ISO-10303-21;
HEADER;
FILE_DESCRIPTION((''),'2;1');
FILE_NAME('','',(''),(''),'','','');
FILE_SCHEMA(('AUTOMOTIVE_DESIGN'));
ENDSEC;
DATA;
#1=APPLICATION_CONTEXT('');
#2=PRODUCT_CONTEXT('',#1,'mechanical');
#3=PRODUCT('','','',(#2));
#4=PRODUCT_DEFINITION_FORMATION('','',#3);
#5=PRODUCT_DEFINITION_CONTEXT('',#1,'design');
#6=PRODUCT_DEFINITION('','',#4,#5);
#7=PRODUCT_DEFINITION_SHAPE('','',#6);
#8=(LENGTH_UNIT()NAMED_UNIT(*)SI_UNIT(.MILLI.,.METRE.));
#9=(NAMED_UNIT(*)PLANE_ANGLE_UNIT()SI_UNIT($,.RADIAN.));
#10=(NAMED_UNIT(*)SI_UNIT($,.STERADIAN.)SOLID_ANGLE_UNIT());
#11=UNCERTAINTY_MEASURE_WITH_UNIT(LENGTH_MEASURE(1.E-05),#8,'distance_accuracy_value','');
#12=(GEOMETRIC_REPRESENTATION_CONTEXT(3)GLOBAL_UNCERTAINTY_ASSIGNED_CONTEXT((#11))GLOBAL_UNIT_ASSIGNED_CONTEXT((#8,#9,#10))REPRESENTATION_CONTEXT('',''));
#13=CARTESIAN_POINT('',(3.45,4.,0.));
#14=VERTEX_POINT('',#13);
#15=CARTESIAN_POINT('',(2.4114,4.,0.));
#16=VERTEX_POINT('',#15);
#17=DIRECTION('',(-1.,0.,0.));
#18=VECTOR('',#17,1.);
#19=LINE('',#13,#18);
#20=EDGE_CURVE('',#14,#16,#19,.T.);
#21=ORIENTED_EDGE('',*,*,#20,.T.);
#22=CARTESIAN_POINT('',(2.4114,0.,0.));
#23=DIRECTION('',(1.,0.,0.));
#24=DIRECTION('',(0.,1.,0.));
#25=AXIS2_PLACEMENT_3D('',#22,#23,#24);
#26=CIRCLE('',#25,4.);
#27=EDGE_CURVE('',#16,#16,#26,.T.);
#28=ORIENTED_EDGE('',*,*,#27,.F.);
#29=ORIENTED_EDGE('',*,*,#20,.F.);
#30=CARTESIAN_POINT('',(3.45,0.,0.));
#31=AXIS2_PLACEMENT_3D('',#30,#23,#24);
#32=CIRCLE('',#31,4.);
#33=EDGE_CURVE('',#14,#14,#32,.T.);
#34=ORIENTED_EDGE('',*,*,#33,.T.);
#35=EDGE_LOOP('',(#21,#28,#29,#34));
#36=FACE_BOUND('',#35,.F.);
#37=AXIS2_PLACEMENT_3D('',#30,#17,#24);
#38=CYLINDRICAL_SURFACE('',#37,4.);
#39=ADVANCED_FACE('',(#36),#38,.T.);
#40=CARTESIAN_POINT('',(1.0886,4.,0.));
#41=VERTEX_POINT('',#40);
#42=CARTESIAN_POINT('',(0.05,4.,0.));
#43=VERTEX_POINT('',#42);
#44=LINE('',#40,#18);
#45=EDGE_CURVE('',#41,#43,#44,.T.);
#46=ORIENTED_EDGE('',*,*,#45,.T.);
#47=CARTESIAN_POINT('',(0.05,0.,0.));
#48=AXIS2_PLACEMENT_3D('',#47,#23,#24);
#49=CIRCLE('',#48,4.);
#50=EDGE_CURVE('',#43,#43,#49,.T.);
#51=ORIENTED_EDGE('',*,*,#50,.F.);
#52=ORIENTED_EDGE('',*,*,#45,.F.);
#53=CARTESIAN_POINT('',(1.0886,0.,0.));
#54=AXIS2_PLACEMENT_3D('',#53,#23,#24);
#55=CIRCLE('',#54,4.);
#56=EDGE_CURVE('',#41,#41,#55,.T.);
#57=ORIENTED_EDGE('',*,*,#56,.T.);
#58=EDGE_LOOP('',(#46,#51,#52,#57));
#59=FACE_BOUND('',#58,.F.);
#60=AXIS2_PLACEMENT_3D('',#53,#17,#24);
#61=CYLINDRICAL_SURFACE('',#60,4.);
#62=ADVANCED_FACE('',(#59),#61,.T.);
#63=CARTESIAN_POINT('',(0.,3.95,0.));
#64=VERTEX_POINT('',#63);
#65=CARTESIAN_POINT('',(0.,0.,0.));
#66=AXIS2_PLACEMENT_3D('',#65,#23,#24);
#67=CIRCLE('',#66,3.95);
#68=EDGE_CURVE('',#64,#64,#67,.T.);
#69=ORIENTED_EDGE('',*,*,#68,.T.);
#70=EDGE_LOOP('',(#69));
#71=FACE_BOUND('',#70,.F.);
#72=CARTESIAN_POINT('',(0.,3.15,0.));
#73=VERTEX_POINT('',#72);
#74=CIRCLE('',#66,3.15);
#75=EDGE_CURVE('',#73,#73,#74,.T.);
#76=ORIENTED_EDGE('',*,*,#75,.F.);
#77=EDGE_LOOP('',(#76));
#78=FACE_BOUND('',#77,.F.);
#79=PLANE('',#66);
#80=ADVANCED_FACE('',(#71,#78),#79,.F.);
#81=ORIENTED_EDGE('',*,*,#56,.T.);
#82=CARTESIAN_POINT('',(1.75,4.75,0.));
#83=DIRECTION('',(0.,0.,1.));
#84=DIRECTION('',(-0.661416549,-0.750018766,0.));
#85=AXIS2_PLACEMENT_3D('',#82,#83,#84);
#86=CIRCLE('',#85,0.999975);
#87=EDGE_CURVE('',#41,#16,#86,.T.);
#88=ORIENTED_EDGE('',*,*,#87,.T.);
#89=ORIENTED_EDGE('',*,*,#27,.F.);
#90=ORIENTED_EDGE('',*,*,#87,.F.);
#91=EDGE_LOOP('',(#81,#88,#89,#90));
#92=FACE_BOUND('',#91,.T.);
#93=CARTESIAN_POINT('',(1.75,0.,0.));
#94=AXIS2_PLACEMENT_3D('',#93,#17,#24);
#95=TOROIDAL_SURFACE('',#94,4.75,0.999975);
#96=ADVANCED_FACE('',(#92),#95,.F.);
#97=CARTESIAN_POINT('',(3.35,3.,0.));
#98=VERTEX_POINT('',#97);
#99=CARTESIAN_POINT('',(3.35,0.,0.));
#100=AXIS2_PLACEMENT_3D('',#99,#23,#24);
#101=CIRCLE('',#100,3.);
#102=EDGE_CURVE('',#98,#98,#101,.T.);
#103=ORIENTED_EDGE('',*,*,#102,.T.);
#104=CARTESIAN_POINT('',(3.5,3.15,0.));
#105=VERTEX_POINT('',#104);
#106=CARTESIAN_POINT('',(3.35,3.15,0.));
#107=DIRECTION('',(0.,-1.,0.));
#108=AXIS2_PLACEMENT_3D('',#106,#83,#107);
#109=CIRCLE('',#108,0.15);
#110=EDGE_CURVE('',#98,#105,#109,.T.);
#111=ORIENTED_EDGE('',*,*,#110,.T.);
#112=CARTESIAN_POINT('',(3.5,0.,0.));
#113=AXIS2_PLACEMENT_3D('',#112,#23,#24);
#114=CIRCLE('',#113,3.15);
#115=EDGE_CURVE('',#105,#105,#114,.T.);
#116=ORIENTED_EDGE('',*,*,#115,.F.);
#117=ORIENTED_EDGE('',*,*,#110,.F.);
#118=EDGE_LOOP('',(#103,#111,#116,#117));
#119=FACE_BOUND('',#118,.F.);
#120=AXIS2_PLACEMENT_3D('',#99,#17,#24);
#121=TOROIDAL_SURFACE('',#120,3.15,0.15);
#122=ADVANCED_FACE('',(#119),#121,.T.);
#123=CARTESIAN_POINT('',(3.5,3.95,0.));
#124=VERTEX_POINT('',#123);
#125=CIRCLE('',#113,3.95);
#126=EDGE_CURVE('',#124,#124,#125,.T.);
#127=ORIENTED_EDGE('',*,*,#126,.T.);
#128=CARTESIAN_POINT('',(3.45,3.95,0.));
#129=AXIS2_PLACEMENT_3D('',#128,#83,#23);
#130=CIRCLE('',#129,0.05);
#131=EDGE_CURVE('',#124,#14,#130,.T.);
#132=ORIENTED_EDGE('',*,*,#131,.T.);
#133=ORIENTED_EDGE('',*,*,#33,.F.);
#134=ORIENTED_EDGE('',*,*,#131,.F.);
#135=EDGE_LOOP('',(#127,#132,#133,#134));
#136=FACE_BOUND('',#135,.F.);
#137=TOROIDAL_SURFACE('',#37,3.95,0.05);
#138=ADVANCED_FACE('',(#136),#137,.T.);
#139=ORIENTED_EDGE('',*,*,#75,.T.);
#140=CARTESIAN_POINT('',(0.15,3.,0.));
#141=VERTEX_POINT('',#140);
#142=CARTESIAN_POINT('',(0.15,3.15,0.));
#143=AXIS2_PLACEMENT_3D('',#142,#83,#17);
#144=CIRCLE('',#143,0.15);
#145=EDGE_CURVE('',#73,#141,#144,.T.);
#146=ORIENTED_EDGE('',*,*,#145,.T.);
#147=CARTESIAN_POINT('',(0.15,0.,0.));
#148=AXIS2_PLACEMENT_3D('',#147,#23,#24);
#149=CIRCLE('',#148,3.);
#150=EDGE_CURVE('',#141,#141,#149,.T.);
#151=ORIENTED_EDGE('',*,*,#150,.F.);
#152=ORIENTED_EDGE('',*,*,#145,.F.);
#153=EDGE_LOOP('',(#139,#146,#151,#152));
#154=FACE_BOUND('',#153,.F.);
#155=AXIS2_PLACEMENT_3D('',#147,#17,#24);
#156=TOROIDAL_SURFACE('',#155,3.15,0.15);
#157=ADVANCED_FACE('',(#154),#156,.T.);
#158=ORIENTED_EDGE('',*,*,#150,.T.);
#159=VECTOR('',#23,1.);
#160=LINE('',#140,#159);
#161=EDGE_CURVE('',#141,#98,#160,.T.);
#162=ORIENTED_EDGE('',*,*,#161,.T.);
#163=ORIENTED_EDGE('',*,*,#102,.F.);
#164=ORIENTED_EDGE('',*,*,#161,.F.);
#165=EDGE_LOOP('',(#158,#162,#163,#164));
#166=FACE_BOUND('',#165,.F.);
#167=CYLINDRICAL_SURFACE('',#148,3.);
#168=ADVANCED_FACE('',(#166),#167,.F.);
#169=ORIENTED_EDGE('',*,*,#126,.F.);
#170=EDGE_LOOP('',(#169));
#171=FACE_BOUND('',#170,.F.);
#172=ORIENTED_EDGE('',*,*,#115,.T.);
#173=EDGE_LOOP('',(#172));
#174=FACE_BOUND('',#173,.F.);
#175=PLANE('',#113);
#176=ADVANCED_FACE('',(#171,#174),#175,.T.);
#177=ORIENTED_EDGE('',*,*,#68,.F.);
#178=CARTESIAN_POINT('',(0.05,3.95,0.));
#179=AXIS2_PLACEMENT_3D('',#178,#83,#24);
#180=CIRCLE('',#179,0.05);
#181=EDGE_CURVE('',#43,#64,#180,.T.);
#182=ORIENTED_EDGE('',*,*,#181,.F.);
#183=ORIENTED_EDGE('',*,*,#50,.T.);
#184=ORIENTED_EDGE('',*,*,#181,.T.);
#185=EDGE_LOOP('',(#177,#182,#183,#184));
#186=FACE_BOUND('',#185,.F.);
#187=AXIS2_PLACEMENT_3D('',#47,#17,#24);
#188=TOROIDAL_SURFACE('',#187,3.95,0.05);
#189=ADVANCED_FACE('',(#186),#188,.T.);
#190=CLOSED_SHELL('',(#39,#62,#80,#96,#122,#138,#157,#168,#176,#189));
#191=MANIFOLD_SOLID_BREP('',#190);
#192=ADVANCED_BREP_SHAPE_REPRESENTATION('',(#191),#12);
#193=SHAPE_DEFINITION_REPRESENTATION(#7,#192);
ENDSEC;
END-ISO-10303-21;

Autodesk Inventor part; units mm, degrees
ref_plane "YZ Plane" through (0, 0, 0) normal (1, 0, 0) x (0, 1, 0)
ref_plane "XZ Plane" through (0, 0, 0) normal (0, 1, 0) x (-1, 0, 0)
ref_plane "XY Plane" through (0, 0, 0) normal (0, 0, 1) x (1, 0, 0)
sketch "Sketch_54" plane through (0, 0, 0) normal (0, 0, 1) x (1, 0, 0)
  line L0 (100, 0) -> (-100, 0)
  arc A0 (0, 3.15) -> (0.15, 3) centre (0.15, 3.15) ccw
  line L1 (0.15, 3) -> (3.35, 3)
  arc A1 (3.35, 3) -> (3.5, 3.15) centre (3.35, 3.15) ccw
  line L2 (3.5, 3.15) -> (3.5, 3.95)
  arc A2 (3.5, 3.95) -> (3.45, 4) centre (3.45, 3.95) ccw
  line L3 (3.45, 4) -> (2.4114, 4)
  arc A3 (1.0886, 4) -> (2.4114, 4) centre (1.75, 4.75) ccw
  line L4 (1.0886, 4) -> (0.05, 4)
  arc A4 (0.05, 4) -> (0, 3.95) centre (0.05, 3.95) ccw
  line L5 (0, 3.95) -> (0, 3.15)
revolve "Revolution1" add sketch "Sketch_54" angle 360 about axis through (100, 0, 0) along (1, 0, 0)
properties part number "SKF_618/6_PART1"
